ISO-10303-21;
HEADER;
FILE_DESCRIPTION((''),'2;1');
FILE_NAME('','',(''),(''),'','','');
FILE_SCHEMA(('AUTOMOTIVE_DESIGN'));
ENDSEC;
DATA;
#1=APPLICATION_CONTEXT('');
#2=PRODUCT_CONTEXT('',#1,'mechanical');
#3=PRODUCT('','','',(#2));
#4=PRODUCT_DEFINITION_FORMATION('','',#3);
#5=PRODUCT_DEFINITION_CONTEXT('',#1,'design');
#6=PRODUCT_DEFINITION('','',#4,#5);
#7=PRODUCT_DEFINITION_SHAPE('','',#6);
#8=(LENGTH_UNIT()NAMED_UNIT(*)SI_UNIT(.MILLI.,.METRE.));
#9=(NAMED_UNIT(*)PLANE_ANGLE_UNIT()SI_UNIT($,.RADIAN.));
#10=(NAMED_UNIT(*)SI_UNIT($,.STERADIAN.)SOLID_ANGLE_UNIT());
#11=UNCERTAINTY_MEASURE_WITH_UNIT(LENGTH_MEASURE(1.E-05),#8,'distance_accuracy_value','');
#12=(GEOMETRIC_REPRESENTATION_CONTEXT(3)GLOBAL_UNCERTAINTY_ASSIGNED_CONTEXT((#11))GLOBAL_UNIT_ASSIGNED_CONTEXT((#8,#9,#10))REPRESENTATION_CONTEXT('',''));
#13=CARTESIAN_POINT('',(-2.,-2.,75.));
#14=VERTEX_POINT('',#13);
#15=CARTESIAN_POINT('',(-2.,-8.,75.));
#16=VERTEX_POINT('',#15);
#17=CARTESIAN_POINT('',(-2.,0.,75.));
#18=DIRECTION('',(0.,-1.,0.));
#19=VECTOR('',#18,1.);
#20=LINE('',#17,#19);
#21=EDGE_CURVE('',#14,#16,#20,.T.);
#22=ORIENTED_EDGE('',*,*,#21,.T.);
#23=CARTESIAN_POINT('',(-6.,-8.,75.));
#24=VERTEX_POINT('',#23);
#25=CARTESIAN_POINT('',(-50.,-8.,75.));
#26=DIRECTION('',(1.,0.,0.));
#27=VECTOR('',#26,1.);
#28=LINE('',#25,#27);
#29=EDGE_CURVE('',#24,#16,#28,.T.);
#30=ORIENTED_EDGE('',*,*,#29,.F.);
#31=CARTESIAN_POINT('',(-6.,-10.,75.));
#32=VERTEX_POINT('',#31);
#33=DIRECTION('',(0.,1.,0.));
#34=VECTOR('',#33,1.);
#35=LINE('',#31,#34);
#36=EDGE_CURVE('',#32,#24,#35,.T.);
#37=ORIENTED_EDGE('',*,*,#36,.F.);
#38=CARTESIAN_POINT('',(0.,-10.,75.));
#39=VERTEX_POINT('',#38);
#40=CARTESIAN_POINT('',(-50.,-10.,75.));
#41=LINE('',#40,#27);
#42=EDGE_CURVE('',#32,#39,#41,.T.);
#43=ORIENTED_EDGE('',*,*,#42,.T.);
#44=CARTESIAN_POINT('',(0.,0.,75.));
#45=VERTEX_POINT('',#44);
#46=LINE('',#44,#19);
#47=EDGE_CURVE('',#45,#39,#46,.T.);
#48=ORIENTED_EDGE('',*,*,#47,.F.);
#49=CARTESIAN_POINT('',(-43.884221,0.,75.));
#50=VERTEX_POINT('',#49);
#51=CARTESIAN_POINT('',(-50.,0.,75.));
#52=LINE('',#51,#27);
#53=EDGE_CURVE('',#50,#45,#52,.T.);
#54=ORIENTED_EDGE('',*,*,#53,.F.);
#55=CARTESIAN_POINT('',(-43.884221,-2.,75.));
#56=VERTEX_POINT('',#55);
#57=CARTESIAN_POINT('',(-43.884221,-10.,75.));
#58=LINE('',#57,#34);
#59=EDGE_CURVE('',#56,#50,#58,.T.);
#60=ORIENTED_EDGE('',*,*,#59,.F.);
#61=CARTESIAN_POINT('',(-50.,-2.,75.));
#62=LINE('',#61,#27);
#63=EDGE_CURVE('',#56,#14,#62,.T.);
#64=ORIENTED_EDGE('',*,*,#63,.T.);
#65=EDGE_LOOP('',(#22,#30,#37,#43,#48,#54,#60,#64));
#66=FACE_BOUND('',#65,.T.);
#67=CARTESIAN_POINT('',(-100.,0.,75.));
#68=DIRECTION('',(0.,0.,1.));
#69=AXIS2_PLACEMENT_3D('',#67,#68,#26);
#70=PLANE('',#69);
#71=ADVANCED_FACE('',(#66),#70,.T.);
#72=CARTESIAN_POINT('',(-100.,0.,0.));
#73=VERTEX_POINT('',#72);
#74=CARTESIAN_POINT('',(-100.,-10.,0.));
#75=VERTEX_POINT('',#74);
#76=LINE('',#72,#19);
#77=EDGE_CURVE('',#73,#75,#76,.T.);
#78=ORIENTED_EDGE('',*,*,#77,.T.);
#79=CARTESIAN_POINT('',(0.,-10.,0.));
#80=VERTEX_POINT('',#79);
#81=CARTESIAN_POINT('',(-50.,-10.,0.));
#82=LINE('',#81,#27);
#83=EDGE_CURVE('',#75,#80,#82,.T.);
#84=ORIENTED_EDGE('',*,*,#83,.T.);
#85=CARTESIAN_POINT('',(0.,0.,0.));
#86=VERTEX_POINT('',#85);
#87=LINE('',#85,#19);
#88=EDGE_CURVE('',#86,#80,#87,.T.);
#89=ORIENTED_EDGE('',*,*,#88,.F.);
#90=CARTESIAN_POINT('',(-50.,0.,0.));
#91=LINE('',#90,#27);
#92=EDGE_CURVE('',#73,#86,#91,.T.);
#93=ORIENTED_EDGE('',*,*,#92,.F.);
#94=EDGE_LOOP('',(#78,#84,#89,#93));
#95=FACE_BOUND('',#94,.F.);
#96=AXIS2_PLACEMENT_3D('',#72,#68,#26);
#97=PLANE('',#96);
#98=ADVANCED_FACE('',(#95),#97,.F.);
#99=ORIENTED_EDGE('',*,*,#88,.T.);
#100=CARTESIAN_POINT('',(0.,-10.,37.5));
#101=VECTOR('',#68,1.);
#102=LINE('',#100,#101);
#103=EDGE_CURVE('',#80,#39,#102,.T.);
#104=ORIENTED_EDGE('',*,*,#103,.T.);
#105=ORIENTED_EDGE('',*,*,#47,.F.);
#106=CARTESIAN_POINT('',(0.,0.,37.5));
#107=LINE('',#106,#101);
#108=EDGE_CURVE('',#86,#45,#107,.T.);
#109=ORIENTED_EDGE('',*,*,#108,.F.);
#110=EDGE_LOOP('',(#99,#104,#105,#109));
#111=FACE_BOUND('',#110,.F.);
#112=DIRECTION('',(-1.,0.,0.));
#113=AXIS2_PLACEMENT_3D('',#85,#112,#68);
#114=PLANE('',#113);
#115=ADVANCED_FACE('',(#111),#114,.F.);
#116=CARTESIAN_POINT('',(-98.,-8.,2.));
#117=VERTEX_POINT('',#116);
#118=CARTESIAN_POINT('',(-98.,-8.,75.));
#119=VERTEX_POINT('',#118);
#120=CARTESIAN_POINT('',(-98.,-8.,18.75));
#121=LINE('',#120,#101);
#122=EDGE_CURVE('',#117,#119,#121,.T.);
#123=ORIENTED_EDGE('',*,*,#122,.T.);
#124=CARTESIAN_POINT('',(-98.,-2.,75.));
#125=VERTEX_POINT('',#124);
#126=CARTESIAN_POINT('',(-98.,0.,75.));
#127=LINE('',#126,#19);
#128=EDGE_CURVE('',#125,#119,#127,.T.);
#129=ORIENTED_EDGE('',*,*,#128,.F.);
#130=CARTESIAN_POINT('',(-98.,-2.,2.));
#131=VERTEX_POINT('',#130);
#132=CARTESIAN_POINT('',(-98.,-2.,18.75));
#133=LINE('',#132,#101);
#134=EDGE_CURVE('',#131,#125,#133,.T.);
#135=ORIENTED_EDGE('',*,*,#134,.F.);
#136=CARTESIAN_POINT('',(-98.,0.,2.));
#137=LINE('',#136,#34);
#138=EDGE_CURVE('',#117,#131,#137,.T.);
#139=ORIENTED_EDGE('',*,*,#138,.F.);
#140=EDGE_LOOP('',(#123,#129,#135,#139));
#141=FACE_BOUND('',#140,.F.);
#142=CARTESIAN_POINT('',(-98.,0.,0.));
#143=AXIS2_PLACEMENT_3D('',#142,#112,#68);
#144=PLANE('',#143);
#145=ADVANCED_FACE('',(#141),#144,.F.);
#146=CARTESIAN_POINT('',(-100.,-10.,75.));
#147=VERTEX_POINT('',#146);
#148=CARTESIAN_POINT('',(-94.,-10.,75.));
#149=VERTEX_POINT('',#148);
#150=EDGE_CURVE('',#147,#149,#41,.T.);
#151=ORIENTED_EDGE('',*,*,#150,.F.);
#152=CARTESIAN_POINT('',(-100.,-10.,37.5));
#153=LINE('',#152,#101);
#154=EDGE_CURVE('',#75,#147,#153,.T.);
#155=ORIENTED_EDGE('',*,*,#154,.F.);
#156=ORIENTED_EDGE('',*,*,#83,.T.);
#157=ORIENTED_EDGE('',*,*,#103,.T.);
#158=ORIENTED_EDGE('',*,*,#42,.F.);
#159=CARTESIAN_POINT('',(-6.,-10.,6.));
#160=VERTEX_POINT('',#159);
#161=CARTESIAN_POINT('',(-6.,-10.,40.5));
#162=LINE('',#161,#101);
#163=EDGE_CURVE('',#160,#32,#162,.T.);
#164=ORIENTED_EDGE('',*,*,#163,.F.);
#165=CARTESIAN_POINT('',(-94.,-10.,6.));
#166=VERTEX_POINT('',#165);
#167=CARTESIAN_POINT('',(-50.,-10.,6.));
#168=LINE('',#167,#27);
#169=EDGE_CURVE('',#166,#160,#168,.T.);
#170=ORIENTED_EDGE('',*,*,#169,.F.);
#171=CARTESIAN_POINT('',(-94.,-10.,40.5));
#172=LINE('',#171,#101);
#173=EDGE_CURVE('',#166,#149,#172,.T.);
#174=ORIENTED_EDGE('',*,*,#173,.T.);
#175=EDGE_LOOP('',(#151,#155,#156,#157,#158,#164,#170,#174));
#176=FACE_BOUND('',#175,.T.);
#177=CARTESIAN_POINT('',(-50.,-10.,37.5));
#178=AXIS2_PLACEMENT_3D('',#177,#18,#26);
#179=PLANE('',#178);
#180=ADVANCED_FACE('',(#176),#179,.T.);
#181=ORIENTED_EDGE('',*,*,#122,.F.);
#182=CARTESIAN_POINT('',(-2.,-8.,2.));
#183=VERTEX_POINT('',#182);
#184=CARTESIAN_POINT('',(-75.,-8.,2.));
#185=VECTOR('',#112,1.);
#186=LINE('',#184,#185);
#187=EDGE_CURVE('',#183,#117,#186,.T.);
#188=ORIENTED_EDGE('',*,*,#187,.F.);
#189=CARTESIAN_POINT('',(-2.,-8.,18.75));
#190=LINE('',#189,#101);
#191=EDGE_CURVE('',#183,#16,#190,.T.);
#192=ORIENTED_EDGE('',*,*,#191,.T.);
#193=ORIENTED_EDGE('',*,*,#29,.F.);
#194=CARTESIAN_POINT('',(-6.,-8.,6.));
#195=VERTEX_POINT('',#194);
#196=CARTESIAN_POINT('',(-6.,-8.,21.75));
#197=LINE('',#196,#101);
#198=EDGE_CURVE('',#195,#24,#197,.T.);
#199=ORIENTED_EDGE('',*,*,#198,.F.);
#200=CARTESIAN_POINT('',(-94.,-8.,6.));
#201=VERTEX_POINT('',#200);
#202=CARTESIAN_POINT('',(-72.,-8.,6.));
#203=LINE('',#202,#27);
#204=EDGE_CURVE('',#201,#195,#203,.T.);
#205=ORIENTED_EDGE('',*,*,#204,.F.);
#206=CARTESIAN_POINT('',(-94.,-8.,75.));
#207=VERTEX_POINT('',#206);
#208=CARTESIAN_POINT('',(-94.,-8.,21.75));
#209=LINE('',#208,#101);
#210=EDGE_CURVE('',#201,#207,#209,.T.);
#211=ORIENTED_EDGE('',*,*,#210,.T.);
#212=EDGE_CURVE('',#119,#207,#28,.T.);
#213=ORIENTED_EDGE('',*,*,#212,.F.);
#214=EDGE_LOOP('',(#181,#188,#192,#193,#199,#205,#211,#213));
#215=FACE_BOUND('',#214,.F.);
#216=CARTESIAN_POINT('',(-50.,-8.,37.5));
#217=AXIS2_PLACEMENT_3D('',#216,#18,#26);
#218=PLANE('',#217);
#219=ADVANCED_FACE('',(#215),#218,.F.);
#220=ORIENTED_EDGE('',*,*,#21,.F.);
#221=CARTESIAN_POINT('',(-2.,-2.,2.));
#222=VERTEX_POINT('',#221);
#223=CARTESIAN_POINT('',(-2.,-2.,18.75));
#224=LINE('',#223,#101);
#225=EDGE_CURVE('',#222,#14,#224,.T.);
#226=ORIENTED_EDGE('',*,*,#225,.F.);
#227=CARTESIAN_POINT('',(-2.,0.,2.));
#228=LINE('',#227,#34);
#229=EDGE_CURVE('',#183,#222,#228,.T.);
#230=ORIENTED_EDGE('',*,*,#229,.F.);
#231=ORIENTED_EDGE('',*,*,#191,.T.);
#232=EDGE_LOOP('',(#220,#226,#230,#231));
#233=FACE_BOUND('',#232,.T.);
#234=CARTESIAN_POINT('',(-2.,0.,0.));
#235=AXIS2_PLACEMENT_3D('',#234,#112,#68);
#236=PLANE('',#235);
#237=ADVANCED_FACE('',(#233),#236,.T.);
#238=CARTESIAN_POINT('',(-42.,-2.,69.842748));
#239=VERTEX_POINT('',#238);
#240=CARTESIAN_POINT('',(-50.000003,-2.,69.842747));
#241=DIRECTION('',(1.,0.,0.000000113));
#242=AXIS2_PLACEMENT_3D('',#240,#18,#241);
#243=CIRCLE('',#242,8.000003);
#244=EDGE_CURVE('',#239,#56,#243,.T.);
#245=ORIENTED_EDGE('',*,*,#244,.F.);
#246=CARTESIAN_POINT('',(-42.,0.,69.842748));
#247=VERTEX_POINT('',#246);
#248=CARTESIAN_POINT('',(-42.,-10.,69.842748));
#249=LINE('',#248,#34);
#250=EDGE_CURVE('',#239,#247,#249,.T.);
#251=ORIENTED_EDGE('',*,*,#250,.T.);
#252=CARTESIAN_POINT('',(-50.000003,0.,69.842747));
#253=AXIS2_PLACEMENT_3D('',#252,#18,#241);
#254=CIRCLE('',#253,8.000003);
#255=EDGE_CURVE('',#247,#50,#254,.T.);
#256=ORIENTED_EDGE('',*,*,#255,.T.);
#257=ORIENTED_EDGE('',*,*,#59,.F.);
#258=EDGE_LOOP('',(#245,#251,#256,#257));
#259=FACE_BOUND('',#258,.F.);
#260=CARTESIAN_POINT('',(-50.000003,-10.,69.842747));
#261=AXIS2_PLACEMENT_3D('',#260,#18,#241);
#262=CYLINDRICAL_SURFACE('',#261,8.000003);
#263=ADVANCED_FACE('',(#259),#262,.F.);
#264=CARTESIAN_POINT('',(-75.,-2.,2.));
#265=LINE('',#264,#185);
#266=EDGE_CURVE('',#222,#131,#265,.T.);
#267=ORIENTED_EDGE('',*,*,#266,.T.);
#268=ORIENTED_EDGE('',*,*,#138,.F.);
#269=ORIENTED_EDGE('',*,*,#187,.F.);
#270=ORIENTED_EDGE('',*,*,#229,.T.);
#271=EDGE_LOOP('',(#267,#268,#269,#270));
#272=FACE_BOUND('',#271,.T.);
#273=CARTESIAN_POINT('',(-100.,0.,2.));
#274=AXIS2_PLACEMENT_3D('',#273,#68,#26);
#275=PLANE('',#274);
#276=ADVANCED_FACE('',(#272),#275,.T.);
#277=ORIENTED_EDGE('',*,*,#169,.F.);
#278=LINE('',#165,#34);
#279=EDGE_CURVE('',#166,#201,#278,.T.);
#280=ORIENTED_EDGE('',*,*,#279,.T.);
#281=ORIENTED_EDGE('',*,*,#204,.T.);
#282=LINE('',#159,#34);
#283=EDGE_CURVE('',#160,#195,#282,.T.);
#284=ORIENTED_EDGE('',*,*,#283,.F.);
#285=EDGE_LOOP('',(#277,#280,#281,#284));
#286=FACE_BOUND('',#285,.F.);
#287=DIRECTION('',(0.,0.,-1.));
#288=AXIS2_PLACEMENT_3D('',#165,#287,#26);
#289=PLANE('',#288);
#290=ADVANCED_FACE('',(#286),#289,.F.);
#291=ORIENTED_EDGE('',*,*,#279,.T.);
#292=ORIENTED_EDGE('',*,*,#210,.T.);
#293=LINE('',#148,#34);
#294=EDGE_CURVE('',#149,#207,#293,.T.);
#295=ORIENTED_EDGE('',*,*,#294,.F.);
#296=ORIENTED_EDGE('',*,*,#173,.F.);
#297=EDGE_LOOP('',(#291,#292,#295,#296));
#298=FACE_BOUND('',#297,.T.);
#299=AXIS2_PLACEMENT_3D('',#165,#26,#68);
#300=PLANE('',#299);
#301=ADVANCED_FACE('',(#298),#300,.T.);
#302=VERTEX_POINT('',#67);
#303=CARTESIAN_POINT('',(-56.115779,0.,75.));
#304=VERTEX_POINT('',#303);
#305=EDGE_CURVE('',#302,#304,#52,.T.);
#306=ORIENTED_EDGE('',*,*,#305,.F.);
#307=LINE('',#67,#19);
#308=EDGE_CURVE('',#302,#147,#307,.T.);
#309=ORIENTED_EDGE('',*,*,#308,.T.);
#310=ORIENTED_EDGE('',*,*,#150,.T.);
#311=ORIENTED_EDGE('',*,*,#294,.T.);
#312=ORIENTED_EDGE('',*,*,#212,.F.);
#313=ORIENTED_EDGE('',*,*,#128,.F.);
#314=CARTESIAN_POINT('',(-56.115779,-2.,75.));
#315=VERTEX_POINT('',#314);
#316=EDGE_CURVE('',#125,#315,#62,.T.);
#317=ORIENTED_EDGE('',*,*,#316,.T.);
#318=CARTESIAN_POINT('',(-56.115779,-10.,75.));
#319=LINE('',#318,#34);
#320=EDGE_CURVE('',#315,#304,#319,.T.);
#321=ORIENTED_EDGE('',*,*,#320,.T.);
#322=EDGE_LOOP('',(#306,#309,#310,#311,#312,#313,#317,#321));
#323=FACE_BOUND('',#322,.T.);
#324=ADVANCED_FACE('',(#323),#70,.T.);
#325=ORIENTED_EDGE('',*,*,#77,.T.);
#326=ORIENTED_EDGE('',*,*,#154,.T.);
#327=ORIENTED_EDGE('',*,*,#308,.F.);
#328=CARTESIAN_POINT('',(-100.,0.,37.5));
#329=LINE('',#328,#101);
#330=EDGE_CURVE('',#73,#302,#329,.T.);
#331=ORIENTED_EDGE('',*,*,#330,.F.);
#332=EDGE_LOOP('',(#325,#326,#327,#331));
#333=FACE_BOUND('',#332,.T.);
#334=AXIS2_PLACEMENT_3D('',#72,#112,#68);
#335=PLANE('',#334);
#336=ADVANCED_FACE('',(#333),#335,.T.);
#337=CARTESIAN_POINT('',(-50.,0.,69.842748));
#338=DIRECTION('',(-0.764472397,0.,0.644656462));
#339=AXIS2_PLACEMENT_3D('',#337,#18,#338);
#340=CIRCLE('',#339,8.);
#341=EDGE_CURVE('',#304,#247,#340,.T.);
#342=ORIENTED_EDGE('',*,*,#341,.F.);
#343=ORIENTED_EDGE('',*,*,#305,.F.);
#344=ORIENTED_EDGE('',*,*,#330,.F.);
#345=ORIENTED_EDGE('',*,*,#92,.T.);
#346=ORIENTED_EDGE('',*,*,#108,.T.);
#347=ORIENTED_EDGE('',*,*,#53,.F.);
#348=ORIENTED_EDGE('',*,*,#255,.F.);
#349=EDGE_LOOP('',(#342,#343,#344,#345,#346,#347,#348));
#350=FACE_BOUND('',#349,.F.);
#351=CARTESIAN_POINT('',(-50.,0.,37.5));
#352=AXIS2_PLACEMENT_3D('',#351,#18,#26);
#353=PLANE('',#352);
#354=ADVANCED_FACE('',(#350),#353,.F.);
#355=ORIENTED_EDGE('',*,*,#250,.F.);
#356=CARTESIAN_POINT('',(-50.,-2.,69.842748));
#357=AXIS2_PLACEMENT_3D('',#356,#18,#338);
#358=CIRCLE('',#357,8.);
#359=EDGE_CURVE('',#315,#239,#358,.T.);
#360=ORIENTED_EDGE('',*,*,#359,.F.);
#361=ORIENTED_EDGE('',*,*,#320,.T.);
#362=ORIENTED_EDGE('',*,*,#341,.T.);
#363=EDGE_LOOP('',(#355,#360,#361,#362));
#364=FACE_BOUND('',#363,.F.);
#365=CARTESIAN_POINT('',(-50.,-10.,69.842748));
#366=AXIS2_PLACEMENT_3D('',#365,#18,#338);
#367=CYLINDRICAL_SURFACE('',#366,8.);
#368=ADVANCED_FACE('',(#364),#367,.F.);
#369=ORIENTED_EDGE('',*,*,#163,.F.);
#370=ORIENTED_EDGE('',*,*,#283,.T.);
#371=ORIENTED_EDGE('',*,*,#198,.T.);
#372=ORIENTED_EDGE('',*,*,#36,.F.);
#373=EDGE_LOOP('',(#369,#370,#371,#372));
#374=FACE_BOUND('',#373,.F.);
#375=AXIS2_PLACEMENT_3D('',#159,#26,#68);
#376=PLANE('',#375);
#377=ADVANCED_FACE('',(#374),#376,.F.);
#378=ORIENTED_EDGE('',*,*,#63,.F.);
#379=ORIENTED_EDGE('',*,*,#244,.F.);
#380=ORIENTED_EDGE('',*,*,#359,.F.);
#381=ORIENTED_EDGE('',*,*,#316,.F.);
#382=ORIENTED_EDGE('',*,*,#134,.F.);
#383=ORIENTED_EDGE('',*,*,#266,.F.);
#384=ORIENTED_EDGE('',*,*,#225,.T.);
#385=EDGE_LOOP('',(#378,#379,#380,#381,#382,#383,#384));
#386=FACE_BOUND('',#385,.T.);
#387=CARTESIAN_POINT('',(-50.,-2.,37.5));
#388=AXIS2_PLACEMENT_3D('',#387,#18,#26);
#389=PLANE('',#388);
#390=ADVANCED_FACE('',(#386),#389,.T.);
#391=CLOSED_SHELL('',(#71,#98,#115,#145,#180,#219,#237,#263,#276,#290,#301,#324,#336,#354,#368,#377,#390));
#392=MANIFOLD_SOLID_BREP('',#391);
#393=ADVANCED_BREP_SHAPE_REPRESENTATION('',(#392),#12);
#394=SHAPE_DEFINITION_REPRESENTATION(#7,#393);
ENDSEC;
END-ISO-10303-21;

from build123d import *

# Parameters (mm, degrees)
F0_W     = 100
F0_H     = 75
F1_DEPTH = 10
F2_T     = -2
F3_W     = 88
F3_H     = 69
F4_DEPTH = 5
F6_DEPTH = 10.001


with BuildPart() as f1:
    # F0 (on Front) → F1 (new body)
    with BuildSketch(Plane.XZ):
        with Locations((-50, 37.5)):
            Rectangle(F0_W, F0_H)
    extrude(amount=F1_DEPTH)

    # F2
    f2_openings = [f1.faces().sort_by_distance(p)[0] for p in [
        (-50, -5, 75),
    ]]
    offset(amount=F2_T, openings=f2_openings)

    # F3 (on face) → F4 (cut)
    with BuildSketch(Plane.XZ.offset(10)):
        with Locations((-50, 40.5)):
            Rectangle(F3_W, F3_H)
    extrude(amount=-F4_DEPTH, mode=Mode.SUBTRACT)

    # F5 (on face) → F6 (cut, through all)
    with BuildSketch(Plane.XZ.offset(10)):
        with BuildLine():
            ThreePointArc((-56.115779, 75), (-52.745338, 62.328554), (-42, 69.842748))
            ThreePointArc((-42, 69.842748), (-42.485806, 72.588087), (-43.884221, 75))
            Line((-43.884221, 75), (-56.115779, 75))
        make_face()
    extrude(amount=-F6_DEPTH, mode=Mode.SUBTRACT)


solid = f1.part
